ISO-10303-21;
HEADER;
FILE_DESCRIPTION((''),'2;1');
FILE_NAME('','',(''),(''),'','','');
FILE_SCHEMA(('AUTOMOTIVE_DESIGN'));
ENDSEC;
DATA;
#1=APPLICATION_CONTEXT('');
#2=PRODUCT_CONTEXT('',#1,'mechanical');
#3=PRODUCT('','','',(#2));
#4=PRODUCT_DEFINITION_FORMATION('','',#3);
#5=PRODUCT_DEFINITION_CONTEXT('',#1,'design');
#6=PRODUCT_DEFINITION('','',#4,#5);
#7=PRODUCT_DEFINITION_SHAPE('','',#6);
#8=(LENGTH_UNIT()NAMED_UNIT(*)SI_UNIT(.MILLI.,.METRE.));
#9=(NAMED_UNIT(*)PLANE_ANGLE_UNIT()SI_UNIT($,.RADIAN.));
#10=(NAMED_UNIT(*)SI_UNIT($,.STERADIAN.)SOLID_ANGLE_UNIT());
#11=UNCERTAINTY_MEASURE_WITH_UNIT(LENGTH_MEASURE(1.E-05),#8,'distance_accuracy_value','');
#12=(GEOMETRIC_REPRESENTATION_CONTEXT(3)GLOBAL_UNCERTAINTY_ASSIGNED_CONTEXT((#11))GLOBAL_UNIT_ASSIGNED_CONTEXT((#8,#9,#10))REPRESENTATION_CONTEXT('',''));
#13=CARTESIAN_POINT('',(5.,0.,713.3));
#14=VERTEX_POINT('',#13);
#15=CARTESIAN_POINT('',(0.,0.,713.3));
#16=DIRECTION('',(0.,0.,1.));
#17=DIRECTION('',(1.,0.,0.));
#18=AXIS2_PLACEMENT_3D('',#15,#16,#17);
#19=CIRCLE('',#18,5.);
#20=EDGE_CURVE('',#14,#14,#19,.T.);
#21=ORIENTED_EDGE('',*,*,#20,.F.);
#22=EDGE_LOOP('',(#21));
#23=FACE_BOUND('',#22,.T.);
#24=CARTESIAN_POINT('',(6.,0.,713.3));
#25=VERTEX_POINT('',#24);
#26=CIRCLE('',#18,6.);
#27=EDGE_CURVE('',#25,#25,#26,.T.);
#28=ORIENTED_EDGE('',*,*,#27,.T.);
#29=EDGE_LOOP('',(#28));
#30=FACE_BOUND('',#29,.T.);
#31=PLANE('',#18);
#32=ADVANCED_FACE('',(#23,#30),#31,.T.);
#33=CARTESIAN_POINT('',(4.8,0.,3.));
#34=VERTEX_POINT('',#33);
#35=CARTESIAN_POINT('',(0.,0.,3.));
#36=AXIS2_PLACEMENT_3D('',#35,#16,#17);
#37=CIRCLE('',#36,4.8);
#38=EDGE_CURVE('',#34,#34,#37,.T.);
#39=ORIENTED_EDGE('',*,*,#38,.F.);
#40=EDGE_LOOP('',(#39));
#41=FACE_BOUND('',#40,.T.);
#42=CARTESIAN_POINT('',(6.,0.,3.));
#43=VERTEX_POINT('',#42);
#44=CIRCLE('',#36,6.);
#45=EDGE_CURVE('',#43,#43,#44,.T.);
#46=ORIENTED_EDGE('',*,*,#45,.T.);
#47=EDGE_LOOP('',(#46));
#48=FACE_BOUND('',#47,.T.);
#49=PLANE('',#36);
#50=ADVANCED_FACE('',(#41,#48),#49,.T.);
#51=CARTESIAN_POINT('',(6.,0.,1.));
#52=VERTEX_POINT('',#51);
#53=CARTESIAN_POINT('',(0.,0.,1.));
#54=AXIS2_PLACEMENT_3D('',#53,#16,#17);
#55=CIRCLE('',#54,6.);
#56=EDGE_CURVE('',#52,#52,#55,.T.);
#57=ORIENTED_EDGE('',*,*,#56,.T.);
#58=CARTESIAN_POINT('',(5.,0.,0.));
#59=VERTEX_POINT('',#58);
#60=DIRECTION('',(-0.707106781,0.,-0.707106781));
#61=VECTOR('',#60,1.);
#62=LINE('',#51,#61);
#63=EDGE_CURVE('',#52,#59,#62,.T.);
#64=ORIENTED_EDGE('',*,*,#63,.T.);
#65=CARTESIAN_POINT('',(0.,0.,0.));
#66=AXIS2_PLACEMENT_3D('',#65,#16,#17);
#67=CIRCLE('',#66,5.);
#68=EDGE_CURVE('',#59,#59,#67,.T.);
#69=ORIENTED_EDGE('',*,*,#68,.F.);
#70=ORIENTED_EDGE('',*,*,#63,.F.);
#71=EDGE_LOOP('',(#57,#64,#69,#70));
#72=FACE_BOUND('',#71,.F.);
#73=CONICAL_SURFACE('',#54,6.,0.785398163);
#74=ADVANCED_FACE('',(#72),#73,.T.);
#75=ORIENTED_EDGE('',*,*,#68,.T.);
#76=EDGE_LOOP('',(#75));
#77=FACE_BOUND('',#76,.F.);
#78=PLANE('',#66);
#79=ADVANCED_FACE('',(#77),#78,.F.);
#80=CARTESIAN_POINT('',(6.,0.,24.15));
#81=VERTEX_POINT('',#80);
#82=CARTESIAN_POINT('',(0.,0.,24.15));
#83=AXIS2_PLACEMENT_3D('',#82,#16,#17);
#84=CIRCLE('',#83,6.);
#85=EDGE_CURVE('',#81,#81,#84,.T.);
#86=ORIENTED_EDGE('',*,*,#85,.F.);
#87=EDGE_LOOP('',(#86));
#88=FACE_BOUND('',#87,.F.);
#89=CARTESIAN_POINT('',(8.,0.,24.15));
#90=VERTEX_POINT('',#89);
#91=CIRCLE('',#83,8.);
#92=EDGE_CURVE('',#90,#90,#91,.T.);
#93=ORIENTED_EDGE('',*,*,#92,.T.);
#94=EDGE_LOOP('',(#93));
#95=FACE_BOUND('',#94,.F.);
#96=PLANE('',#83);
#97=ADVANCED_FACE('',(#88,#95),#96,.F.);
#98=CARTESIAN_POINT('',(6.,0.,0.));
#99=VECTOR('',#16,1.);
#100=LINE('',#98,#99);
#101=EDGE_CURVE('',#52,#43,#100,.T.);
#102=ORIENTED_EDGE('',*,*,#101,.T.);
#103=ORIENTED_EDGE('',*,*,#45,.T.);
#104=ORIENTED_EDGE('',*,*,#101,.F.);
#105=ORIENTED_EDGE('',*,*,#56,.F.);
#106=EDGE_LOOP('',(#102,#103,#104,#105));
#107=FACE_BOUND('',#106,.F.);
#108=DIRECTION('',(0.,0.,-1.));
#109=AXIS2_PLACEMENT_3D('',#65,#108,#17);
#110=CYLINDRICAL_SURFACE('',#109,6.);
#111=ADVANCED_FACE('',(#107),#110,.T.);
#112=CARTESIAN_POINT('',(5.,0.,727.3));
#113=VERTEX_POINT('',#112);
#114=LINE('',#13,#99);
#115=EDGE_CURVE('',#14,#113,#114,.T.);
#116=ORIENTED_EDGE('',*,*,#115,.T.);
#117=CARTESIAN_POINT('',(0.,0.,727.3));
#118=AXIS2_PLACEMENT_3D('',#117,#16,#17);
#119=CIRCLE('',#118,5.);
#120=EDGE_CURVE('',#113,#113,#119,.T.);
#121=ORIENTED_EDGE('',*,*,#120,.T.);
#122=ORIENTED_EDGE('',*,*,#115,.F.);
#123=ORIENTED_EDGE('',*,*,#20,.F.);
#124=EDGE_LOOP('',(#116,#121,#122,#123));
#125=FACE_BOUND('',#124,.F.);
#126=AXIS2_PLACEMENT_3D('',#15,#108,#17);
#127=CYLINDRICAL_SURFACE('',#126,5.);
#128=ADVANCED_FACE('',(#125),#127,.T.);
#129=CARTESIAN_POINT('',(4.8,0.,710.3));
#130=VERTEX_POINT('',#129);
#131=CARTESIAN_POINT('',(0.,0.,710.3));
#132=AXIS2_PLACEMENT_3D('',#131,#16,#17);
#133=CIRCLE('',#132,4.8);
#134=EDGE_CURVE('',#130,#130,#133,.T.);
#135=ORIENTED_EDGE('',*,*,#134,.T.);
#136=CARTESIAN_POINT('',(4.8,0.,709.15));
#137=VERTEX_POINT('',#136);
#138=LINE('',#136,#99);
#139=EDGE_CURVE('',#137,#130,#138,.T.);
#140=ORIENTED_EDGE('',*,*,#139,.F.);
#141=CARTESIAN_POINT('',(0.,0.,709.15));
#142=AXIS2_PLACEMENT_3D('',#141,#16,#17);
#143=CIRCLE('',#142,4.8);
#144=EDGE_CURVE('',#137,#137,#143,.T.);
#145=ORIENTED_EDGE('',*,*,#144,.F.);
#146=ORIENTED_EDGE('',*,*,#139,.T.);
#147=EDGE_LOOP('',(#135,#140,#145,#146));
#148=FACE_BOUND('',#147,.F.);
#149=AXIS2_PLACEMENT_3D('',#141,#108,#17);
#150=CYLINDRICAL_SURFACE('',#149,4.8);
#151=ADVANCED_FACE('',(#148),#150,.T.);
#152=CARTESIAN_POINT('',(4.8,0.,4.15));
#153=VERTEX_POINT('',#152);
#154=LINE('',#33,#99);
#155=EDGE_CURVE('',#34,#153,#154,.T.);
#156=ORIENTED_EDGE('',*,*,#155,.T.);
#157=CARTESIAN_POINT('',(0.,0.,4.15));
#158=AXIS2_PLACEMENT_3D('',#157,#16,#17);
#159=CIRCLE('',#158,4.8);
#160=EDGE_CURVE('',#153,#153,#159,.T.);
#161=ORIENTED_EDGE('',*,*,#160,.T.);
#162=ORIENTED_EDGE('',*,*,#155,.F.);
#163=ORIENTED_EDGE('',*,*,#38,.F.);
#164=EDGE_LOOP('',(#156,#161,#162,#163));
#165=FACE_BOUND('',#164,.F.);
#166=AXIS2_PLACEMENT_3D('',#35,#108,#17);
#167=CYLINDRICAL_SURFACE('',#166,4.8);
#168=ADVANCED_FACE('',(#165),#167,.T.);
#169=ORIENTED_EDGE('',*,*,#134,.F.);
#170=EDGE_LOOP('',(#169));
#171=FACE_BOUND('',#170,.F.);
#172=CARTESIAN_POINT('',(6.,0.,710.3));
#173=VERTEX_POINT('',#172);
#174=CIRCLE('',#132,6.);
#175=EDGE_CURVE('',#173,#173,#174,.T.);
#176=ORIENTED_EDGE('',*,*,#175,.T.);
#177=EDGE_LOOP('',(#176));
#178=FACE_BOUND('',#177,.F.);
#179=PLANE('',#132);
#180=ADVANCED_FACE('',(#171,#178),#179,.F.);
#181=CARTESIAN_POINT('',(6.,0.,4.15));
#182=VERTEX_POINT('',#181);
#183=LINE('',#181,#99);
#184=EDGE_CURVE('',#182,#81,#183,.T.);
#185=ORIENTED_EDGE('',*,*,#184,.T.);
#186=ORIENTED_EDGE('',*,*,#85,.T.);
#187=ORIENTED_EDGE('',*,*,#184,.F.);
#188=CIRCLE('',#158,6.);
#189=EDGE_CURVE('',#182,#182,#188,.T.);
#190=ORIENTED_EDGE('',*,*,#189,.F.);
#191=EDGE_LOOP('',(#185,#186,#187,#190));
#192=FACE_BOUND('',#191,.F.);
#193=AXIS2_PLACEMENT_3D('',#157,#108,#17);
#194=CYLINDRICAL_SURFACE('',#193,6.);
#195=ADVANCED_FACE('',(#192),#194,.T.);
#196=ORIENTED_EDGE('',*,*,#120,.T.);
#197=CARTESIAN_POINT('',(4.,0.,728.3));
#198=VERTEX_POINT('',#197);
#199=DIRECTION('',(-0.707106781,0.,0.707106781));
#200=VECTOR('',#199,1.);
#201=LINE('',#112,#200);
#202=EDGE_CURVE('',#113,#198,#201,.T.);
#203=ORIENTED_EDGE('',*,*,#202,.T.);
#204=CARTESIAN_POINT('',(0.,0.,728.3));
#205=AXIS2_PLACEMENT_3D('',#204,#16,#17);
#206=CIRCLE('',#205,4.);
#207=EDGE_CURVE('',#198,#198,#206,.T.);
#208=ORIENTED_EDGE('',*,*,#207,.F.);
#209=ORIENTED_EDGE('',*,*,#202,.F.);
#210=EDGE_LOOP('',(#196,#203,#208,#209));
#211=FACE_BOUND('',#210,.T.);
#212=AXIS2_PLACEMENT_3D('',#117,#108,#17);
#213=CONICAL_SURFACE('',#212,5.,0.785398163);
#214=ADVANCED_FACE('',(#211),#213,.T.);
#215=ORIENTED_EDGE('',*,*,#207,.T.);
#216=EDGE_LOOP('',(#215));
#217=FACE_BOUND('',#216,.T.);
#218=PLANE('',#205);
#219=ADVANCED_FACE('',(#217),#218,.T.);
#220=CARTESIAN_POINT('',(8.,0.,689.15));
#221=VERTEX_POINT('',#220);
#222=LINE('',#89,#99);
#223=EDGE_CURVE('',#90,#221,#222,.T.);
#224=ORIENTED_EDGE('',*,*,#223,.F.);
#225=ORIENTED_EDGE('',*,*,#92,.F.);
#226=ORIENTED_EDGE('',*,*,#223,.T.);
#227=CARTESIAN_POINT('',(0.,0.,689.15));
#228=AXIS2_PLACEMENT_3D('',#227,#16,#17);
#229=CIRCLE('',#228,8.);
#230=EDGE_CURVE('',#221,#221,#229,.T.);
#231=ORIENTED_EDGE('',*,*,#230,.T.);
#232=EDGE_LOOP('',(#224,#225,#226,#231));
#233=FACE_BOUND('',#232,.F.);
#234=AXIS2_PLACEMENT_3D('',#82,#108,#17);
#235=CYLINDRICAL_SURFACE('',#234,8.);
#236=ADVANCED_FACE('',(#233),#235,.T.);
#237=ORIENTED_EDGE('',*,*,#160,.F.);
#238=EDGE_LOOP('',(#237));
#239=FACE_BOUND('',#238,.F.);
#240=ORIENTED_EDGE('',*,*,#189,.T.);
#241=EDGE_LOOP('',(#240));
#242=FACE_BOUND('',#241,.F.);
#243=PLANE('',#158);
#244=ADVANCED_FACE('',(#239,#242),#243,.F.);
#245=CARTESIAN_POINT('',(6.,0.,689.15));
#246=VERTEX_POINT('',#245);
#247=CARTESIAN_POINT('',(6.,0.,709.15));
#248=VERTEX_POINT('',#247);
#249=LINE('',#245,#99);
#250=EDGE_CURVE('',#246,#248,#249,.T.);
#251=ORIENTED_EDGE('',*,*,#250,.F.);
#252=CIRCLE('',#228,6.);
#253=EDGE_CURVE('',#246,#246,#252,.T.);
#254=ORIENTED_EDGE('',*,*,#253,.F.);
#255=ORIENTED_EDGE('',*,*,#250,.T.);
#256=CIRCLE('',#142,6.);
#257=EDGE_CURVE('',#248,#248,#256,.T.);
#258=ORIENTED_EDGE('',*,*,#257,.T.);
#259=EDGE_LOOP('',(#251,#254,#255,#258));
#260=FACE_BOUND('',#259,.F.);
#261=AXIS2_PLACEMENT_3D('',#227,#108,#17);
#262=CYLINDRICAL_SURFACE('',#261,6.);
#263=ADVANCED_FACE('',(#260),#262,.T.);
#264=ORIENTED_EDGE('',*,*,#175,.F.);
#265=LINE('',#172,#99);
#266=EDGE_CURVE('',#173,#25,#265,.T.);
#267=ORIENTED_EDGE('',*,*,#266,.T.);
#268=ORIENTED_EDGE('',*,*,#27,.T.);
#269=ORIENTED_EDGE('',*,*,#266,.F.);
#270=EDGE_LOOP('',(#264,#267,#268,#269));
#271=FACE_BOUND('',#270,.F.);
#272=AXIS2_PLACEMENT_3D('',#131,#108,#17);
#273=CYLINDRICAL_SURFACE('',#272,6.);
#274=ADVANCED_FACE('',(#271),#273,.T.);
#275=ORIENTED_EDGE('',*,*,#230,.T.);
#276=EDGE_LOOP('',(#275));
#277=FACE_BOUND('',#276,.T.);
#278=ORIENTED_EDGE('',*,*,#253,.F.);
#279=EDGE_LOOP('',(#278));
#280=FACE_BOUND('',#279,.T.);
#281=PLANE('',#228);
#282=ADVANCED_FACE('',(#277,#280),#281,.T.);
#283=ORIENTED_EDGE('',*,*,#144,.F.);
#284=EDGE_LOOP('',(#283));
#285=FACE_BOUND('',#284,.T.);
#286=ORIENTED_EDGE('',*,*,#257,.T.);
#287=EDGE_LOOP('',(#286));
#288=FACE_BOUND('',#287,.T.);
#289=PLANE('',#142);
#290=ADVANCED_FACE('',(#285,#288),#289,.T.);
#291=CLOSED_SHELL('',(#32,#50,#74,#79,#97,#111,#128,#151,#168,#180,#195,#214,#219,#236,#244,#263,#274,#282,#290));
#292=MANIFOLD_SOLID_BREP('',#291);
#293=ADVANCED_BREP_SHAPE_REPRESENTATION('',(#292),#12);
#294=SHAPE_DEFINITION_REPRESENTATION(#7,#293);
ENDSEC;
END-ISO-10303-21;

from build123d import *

# Parameters (mm, degrees)
F0_R      = 6
F1_DEPTH  = 3
F2_R      = 4.8
F3_DEPTH  = 1.15
F4_R      = 6
F4_R_2    = 4.8
F5_DEPTH  = 20
F6_R      = 8
F6_R_2    = 6
F7_DEPTH  = 665
F8_R      = 6
F9_DEPTH  = 20
F10_R     = 4.8
F11_DEPTH = 1.15
F12_R     = 6
F12_R_2   = 4.8
F13_DEPTH = 3
F14_R     = 5
F15_DEPTH = 15
F16_SIZE  = 1


with BuildPart() as f1:
    # F0 (on Top) → F1 (new body)
    with BuildSketch(Plane.XY):
        Circle(F0_R)
    extrude(amount=F1_DEPTH)

    # F2 (on face) → F3 (join)
    with BuildSketch(Plane.XY.offset(3)):
        Circle(F2_R)
    extrude(amount=F3_DEPTH)

    # F4 (on face) → F5 (join)
    with BuildSketch(Plane.XY.offset(4.15)):
        Circle(F4_R)
        Circle(F4_R_2, mode=Mode.SUBTRACT)
        Circle(F4_R_2)
    extrude(amount=F5_DEPTH)

    # F6 (on face) → F7 (join)
    with BuildSketch(Plane.XY.offset(24.15)):
        Circle(F6_R)
        Circle(F6_R_2, mode=Mode.SUBTRACT)
        Circle(F6_R_2)
    extrude(amount=F7_DEPTH)

    # F8 (on face) → F9 (join)
    with BuildSketch(Plane.XY.offset(689.15)):
        Circle(F8_R)
    extrude(amount=F9_DEPTH)

    # F10 (on face) → F11 (join)
    with BuildSketch(Plane.XY.offset(709.15)):
        Circle(F10_R)
    extrude(amount=F11_DEPTH)

    # F12 (on face) → F13 (join)
    with BuildSketch(Plane.XY.offset(710.3)):
        Circle(F12_R)
        Circle(F12_R_2, mode=Mode.SUBTRACT)
        Circle(F12_R_2)
    extrude(amount=F13_DEPTH)

    # F14 (on face) → F15 (join)
    with BuildSketch(Plane.XY.offset(713.3)):
        Circle(F14_R)
    extrude(amount=F15_DEPTH)

    # F16
    f16_edges = [f1.edges().sort_by_distance(p)[0] for p in [
        (-5, 0, 728.3),
        (-6, 0, 0),
    ]]
    chamfer(f16_edges, length=F16_SIZE)


solid = f1.part
